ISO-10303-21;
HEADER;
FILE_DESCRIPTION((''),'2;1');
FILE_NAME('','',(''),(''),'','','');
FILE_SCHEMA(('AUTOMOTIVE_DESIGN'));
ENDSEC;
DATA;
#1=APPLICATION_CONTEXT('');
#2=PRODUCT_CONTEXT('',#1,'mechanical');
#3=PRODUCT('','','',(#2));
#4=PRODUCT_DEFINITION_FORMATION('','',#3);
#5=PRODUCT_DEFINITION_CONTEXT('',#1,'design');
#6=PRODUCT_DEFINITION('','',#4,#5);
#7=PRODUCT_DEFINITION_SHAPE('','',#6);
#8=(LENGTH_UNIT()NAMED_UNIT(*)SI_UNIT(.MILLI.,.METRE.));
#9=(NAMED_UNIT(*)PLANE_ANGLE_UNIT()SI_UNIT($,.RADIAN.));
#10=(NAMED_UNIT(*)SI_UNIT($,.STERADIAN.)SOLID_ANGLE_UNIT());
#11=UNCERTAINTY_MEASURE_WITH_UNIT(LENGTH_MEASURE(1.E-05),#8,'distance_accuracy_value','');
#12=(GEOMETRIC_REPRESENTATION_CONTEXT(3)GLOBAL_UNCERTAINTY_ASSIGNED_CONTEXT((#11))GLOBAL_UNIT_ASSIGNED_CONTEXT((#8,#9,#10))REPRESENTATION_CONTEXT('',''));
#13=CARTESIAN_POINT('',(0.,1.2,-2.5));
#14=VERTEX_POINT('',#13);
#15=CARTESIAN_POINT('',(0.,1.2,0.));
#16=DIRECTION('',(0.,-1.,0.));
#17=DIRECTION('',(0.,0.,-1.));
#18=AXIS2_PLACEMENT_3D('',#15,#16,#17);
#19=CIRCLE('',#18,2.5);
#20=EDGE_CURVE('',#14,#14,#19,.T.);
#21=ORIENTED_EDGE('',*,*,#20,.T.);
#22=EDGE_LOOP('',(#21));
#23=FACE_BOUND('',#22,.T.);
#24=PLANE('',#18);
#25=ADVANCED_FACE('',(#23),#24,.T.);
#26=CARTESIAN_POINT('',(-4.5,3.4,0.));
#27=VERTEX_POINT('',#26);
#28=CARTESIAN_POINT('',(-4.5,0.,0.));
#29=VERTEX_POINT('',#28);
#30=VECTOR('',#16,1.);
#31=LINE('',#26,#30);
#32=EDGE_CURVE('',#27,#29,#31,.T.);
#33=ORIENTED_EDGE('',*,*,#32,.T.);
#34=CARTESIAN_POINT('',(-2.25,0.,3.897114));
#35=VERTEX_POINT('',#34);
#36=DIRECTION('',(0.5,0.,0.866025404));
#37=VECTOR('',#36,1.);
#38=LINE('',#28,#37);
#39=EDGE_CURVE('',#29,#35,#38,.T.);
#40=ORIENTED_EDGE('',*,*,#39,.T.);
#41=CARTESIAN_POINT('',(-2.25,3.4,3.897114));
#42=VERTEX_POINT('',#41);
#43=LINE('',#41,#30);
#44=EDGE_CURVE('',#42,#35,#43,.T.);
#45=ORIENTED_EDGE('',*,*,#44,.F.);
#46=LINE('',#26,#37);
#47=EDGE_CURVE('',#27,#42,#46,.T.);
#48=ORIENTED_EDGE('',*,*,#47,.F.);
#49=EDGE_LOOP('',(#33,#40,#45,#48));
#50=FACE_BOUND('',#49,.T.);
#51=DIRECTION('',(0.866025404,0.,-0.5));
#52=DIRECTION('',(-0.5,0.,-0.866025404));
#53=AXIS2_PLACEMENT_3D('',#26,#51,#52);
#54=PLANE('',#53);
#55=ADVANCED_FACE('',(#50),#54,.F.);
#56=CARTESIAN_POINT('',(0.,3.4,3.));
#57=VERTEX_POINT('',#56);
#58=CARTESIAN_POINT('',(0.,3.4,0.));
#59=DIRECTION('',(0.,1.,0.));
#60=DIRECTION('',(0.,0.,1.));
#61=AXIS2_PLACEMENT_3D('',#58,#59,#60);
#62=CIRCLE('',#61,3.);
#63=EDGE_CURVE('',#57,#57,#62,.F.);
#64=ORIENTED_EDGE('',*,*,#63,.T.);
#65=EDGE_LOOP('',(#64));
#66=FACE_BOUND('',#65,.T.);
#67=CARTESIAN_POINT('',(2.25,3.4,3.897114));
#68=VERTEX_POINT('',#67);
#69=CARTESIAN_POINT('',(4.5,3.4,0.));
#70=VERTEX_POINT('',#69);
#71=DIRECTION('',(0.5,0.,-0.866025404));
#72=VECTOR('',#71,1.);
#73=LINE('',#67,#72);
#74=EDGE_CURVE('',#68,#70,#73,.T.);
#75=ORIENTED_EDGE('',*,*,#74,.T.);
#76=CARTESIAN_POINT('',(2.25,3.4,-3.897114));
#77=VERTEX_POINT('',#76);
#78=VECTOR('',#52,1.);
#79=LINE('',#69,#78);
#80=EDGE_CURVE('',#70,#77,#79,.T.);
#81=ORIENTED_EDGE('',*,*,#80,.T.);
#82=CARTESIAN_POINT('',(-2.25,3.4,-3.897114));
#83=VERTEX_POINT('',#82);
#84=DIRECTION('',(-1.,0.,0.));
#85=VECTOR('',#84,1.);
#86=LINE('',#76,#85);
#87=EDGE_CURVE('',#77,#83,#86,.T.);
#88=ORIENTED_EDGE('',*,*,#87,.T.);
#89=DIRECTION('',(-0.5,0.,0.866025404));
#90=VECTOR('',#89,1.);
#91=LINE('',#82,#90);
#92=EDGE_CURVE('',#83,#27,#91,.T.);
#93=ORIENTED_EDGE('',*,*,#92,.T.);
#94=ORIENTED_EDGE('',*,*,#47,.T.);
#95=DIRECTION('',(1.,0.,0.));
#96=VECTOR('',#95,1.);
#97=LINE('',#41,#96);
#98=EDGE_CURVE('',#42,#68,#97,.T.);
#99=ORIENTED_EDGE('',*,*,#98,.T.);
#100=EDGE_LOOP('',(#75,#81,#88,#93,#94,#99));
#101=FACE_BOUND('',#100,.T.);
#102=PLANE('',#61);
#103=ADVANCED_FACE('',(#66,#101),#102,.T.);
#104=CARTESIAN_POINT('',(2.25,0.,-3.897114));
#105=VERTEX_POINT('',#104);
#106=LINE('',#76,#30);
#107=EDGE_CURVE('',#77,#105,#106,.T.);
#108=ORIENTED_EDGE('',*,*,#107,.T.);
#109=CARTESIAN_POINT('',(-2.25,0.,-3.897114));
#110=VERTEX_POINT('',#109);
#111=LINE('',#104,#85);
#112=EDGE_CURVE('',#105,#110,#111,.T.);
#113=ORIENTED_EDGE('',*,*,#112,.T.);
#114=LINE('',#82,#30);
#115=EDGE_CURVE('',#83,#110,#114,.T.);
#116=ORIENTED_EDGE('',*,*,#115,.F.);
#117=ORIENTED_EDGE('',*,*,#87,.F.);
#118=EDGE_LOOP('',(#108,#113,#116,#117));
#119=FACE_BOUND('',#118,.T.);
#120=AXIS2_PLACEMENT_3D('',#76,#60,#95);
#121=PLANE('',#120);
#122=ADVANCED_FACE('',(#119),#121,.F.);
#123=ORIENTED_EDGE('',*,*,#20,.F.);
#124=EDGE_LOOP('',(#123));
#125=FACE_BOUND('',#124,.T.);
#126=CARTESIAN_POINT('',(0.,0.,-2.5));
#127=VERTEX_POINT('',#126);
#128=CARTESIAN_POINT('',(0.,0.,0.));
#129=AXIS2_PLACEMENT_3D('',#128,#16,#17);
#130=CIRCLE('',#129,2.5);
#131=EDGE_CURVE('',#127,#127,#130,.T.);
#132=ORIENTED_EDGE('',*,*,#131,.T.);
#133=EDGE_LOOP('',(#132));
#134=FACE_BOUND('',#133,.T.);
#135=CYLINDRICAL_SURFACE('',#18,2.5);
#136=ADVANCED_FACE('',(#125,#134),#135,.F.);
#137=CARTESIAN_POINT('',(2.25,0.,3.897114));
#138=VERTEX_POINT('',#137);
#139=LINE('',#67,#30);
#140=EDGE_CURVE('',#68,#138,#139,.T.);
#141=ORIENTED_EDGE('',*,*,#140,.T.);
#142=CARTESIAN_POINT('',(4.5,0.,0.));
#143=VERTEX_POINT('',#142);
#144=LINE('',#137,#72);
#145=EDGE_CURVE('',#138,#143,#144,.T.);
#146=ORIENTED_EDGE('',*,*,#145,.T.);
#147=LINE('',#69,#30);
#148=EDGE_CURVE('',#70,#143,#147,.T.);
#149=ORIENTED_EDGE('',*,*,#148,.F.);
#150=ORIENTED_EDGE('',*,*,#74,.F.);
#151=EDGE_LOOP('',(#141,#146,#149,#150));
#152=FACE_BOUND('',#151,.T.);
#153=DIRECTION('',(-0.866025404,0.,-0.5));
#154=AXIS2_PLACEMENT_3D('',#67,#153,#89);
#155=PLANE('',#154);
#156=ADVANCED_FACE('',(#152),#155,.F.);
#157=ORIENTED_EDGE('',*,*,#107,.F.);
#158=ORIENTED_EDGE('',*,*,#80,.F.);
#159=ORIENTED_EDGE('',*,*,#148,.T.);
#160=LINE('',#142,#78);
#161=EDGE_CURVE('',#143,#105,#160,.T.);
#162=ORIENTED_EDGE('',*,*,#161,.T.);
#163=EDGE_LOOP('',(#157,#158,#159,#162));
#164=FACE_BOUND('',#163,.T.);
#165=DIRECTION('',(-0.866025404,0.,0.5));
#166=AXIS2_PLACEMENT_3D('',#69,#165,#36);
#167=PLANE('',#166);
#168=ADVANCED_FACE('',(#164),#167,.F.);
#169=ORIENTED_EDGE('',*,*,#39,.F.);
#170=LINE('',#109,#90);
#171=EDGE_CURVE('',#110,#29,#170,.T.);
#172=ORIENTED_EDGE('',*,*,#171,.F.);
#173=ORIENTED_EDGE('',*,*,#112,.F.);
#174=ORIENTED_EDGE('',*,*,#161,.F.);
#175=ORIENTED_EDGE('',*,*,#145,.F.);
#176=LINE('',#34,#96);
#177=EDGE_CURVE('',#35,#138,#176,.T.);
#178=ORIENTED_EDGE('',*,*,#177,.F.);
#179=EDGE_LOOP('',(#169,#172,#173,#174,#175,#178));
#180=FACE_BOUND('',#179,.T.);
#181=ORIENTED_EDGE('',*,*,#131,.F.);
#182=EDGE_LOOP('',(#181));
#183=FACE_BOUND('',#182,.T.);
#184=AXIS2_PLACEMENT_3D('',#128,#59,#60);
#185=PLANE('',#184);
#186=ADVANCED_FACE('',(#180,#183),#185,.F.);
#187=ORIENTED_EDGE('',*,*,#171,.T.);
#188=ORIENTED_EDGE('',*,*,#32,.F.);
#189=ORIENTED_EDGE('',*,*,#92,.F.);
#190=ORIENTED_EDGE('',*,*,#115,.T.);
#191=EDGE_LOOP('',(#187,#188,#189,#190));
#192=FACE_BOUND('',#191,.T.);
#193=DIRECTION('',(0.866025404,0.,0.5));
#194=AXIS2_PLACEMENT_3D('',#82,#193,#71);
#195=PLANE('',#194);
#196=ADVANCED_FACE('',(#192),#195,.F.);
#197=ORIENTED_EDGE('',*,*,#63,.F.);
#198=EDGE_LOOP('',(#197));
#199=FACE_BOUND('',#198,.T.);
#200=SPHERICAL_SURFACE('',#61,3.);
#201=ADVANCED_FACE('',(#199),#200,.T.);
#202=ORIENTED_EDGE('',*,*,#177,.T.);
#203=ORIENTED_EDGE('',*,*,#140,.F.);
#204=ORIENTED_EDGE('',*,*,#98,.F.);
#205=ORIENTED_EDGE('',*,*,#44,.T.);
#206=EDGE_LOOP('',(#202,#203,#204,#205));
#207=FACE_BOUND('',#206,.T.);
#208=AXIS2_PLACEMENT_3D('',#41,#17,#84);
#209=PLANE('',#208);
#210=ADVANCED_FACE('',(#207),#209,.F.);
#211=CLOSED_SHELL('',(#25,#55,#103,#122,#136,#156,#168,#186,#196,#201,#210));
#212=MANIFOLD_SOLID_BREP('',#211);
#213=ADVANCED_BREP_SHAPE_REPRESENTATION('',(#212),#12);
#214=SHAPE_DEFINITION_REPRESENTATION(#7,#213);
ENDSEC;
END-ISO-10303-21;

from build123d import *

# Parameters (mm, degrees)
BOSS_EXTRUDE1_DEPTH = 3.4
SKETCH4_R           = 2.5
CUT_EXTRUDE1_DEPTH  = 1.2


with BuildPart() as part:
    # Sketch1 → Boss-Extrude1 (new body)
    with BuildSketch(Plane(origin=(0, 0, 0), x_dir=(1, 0, 0), z_dir=(0, 1, 0))):
        Polygon((2.25, 3.897114317), (-2.25, 3.897114317), (-4.5, 0), (-2.25, -3.897114317), (2.25, -3.897114317), (4.5, 0), align=None)
    extrude(amount=BOSS_EXTRUDE1_DEPTH)

    # Sketch2 → Revolve1 (revolve)
    with BuildSketch(Plane(origin=(0, 3.4, 0), x_dir=(1, 0, 0), z_dir=(0, 1, 0))):
        with BuildLine():
            Line((0, 3), (0, -3))
            ThreePointArc((0, -3), (3, 0), (0, 3))
        make_face()
    revolve(axis=Axis((0, 3.4, -3), (0, 0, 1)))

    # Sketch4 → Cut-Extrude1 (cut)
    with BuildSketch(Plane.XZ):
        Circle(SKETCH4_R)
    extrude(amount=-CUT_EXTRUDE1_DEPTH, mode=Mode.SUBTRACT)


solid = part.part
